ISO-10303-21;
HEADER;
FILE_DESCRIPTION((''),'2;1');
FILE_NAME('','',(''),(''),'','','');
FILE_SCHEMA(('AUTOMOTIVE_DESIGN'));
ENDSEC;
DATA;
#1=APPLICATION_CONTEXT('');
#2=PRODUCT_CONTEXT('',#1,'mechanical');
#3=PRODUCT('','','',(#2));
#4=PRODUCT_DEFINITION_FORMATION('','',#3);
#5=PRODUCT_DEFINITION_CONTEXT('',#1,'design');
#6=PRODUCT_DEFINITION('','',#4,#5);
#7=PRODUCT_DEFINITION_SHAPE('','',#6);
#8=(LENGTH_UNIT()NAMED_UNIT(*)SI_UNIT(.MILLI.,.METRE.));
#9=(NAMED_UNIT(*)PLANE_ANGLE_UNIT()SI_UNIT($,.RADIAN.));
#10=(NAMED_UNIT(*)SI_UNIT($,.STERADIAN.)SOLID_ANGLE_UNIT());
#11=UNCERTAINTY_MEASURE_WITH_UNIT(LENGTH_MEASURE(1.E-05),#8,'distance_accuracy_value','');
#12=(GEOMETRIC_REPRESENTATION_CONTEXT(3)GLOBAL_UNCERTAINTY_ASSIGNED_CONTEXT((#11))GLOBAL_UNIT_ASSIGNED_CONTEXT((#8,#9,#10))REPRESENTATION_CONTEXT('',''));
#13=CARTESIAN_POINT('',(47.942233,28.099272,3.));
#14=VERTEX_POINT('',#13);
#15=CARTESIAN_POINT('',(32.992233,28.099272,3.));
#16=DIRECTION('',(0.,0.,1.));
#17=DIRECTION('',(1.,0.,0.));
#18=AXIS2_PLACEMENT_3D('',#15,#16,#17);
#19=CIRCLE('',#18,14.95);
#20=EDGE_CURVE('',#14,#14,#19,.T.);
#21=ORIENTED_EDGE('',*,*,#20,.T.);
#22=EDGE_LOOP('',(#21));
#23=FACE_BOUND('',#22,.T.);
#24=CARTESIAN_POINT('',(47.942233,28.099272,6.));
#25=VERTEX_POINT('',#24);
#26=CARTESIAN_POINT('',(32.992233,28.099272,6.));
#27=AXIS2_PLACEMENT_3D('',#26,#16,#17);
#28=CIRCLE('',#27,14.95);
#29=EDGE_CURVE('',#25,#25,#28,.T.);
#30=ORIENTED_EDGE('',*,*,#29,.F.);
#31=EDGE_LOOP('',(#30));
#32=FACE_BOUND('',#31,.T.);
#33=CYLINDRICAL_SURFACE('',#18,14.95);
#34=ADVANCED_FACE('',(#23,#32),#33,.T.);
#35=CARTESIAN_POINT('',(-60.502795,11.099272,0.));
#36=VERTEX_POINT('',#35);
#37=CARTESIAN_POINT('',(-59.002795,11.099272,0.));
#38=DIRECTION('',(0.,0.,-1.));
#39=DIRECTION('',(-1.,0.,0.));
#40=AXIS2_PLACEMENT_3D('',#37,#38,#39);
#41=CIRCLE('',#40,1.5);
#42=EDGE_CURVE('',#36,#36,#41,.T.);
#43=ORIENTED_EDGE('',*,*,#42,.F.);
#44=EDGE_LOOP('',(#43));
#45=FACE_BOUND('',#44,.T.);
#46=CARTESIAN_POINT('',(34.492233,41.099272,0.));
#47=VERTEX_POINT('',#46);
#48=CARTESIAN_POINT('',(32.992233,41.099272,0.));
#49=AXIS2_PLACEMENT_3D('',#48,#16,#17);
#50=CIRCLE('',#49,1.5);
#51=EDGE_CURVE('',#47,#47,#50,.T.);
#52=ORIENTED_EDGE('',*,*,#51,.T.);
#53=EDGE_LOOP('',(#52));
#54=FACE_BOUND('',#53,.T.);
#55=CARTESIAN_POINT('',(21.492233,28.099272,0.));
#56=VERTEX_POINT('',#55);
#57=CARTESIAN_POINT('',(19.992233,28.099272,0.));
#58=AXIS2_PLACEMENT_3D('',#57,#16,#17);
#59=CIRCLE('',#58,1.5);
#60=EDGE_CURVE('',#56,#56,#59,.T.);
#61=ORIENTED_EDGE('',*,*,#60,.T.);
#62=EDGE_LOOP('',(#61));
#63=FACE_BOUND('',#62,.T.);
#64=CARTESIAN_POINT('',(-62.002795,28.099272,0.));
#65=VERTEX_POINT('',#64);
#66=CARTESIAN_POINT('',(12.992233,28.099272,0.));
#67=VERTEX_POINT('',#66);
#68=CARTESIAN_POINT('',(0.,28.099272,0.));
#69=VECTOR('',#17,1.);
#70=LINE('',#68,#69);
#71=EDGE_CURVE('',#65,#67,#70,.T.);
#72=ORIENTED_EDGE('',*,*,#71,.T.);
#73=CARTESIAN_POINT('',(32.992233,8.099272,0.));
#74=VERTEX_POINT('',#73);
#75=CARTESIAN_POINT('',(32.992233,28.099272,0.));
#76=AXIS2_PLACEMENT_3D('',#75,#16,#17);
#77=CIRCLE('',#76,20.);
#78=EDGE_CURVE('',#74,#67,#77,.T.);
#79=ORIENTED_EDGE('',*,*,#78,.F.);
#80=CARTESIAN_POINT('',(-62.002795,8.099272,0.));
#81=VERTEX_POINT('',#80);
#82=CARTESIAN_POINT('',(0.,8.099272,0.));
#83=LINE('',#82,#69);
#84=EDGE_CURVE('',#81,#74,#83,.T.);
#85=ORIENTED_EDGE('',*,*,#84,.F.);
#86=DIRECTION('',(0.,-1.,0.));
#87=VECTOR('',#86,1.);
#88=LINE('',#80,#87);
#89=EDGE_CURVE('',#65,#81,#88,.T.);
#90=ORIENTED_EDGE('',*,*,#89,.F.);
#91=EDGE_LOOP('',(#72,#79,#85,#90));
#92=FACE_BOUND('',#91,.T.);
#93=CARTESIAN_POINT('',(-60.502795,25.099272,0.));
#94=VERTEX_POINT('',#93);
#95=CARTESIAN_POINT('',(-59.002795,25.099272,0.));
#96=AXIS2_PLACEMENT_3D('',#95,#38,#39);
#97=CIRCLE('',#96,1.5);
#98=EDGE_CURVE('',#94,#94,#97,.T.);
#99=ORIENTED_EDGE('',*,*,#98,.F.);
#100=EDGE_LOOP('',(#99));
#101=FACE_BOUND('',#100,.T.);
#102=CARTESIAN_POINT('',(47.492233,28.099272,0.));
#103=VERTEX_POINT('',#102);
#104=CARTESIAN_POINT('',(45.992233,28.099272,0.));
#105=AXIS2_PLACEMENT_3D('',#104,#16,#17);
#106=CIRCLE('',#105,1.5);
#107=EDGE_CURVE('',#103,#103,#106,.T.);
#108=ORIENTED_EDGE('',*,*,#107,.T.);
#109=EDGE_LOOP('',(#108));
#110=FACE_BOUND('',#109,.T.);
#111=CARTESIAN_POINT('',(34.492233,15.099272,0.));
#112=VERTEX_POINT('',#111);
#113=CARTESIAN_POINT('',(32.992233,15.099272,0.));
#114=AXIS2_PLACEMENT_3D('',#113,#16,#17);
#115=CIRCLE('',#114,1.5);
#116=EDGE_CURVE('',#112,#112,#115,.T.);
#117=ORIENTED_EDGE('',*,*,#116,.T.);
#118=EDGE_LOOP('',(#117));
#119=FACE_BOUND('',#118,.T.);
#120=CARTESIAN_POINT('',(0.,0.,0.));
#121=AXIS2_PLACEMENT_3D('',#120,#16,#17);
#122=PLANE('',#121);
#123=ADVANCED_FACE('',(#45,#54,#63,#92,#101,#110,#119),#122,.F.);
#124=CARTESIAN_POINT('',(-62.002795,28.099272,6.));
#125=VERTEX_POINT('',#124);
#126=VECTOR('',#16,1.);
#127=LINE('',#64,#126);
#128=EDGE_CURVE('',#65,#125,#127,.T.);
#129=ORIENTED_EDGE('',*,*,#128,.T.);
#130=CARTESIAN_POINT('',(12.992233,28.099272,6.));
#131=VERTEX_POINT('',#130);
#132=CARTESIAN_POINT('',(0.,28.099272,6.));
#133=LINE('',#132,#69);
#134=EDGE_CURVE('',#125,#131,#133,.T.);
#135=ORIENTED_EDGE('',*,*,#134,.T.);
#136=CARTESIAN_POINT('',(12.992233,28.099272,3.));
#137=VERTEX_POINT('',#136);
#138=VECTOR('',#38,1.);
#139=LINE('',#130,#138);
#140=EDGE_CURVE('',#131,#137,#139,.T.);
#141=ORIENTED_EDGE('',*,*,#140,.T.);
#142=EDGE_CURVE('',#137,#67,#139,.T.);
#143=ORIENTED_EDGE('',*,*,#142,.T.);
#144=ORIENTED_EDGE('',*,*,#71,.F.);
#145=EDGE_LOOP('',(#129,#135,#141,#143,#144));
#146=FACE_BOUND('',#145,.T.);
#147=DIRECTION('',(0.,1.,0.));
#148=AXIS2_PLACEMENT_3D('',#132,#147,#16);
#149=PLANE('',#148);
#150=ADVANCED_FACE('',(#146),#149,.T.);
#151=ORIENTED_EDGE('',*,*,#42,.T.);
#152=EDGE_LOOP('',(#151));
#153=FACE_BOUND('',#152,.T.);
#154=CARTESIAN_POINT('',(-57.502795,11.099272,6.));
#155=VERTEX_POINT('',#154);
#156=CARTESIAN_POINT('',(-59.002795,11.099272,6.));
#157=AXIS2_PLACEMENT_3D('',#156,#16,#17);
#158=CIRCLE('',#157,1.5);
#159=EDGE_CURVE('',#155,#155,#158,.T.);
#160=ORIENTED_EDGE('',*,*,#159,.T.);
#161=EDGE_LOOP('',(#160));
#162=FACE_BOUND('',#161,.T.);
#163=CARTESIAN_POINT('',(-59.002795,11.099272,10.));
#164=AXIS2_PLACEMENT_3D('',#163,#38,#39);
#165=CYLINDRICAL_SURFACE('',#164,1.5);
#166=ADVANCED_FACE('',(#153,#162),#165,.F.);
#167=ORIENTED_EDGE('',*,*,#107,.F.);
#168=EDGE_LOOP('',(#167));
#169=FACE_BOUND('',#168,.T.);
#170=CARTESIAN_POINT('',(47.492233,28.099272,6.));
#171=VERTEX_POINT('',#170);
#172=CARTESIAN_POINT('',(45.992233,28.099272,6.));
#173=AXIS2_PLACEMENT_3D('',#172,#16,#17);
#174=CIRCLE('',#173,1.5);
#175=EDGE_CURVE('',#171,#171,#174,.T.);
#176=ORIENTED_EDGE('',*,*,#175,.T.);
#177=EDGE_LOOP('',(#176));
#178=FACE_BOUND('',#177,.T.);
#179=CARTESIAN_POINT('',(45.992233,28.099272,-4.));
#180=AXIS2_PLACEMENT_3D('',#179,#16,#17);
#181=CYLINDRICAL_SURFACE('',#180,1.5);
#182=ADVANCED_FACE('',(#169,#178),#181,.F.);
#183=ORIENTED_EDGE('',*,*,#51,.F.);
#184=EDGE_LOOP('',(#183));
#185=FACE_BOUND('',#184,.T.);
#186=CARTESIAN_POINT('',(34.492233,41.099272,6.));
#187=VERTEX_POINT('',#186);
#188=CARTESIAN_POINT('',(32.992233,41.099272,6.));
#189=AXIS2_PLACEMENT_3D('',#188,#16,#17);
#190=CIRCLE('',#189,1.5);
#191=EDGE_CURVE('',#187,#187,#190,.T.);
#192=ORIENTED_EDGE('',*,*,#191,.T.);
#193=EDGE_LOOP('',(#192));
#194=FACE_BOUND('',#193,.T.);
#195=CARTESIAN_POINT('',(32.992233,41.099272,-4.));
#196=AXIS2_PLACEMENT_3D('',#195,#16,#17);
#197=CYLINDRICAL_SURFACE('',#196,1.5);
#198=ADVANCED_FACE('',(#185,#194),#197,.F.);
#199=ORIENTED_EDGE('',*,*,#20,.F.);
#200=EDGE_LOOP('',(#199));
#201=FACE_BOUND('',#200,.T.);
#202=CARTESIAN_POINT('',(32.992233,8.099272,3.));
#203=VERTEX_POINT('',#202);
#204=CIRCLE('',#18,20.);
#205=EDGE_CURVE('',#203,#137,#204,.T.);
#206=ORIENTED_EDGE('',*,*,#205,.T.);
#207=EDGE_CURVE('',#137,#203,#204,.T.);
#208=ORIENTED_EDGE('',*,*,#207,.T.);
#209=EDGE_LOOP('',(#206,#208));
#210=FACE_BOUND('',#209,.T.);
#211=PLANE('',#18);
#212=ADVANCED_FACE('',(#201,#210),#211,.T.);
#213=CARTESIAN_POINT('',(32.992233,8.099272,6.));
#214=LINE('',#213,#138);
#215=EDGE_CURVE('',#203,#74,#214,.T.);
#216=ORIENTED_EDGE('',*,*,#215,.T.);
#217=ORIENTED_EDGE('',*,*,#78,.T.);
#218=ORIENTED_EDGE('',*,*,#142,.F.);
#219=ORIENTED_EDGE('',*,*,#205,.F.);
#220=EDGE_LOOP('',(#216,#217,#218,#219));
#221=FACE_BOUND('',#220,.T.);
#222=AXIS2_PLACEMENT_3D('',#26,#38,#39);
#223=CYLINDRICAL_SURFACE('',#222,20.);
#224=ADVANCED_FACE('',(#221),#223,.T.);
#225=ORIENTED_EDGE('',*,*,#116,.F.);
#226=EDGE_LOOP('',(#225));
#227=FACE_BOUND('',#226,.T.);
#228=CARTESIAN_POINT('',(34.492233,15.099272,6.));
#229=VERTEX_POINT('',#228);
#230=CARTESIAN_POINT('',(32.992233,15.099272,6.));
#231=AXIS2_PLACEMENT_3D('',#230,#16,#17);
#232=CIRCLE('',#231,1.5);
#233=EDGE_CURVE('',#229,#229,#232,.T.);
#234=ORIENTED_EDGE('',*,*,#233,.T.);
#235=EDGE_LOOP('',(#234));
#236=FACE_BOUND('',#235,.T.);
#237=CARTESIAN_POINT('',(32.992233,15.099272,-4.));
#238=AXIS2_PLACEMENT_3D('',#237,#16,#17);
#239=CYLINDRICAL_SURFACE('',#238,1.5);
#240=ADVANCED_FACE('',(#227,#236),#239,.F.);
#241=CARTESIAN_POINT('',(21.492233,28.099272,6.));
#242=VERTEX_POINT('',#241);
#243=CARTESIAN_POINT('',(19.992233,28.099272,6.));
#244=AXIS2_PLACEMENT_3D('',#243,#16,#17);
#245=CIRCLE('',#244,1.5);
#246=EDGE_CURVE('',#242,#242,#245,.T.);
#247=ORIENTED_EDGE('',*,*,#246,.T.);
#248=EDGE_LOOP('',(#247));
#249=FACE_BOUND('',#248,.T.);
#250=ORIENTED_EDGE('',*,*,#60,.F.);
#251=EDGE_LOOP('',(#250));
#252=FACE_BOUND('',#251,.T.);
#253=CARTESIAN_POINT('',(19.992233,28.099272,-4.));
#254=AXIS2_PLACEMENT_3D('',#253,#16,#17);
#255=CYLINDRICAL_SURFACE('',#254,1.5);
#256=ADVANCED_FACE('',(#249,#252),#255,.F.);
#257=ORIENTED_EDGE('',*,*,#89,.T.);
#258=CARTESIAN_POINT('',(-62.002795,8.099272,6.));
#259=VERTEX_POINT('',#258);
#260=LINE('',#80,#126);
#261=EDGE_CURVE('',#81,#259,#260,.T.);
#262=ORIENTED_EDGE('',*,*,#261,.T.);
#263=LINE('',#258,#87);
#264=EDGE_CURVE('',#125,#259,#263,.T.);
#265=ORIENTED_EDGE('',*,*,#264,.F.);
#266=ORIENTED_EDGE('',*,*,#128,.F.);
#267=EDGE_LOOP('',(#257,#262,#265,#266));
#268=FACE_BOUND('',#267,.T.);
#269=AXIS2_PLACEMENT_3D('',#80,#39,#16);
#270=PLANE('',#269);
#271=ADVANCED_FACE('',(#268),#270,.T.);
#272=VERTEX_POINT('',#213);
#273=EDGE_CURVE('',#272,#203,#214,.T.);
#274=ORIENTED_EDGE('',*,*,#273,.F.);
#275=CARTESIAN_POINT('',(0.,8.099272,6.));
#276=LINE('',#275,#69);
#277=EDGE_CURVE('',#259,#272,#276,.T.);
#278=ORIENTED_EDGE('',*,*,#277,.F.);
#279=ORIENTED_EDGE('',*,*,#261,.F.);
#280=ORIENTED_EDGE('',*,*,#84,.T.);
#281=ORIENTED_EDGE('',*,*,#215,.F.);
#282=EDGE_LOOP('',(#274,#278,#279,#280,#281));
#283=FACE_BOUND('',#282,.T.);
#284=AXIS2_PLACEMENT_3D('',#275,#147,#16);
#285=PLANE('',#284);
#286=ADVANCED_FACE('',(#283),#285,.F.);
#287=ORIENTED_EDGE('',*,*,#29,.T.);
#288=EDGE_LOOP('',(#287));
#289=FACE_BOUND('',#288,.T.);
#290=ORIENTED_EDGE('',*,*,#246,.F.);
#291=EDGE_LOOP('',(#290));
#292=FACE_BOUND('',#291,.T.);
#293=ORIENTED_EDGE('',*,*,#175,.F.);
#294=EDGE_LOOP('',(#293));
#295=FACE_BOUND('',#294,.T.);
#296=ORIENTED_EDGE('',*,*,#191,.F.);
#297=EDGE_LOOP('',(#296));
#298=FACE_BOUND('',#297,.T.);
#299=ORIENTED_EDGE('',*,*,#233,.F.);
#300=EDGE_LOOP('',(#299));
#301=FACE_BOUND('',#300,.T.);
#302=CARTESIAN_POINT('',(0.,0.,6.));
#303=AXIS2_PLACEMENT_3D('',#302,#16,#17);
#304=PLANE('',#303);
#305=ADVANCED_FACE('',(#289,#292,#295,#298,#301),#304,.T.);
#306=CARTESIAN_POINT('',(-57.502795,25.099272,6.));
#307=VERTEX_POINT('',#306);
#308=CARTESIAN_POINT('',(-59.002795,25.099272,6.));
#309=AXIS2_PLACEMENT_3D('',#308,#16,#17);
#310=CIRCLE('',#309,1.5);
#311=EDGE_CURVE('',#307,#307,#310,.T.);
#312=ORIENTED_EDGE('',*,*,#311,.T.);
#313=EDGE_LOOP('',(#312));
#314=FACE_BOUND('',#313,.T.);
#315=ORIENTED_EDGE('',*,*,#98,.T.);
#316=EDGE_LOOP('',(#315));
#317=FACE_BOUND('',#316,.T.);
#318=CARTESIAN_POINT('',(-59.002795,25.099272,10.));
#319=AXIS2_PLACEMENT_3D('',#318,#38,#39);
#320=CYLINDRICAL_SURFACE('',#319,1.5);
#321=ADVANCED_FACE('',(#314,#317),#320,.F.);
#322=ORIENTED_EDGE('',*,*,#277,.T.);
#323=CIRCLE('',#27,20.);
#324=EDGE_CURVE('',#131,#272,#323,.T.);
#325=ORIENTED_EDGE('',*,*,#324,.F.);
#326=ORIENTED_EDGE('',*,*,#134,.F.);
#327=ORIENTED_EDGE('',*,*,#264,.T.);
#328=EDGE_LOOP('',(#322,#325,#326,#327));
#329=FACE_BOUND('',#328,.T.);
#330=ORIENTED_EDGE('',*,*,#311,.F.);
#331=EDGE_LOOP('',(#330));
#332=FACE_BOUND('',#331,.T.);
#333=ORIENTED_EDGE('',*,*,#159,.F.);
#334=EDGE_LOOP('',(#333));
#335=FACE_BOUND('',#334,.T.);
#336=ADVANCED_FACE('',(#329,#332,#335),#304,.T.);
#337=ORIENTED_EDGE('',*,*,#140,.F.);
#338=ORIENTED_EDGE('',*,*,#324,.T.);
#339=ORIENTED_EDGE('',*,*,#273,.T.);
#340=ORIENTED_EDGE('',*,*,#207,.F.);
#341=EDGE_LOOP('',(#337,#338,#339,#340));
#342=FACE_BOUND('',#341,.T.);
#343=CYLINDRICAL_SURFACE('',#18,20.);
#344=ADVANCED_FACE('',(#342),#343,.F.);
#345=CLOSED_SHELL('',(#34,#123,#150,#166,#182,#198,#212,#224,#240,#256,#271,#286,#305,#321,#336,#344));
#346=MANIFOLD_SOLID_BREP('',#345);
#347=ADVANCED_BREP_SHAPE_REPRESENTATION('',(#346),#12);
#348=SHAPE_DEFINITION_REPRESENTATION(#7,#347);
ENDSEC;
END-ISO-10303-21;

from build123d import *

# Parameters (mm, degrees)
BOSS_EXTRU_1_DEPTH      = 6
ESQUISSE4_R             = 20
ESQUISSE4_R_2           = 14.95
ENL_V_MAT_EXTRU_2_DEPTH = 3
ESQUISSE5_W             = 16.42
ESQUISSE5_H             = 20
BOSS_EXTRU_2_DEPTH      = 6
ESQUISSE6_R             = 1.5
ENL_V_MAT_EXTRU_3_DEPTH = 10
ESQUISSE9_R             = 1.5
ENL_V_MAT_EXTRU_4_DEPTH = 10


with BuildPart() as part:
    # Esquisse1 → Boss.-Extru.1 (new body)
    with BuildSketch(Plane.XY):
        with BuildLine():
            ThreePointArc((52.992232765, 28.099272116), (32.992232765, 48.099272116), (12.992232765, 28.099272116))
            Line((12.992232765, 28.099272116), (32.992232765, 28.099272116))
            Line((32.992232765, 28.099272116), (32.992232765, 8.099272116))
            ThreePointArc((32.992232765, 8.099272116), (47.134368389, 13.957136493), (52.992232765, 28.099272116))
        make_face()
        with BuildLine():
            Line((32.992232765, 28.099272116), (12.992232765, 28.099272116))
            ThreePointArc((12.992232765, 28.099272116), (18.850097141, 13.957136493), (32.992232765, 8.099272116))
            Line((32.992232765, 8.099272116), (32.992232765, 28.099272116))
        make_face()
        with BuildLine():
            Line((12.992232765, 28.099272116), (-45.58279523, 28.099272116))
            Line((-45.58279523, 28.099272116), (-45.58279523, 8.099272116))
            Line((-45.58279523, 8.099272116), (32.992232765, 8.099272116))
            ThreePointArc((32.992232765, 8.099272116), (18.850097141, 13.957136493), (12.992232765, 28.099272116))
        make_face()
    extrude(amount=BOSS_EXTRU_1_DEPTH)

    # Esquisse4 → Enlèv. mat.-Extru.2 (cut)
    with BuildSketch(Plane.XY.offset(6)):
        with Locations((32.992232765, 28.099272116)):
            Circle(ESQUISSE4_R)
        with Locations((32.992232765, 28.099272116)):
            Circle(ESQUISSE4_R_2, mode=Mode.SUBTRACT)
    extrude(amount=-ENL_V_MAT_EXTRU_2_DEPTH, mode=Mode.SUBTRACT)

    # Esquisse5 → Boss.-Extru.2 (add)
    with BuildSketch(Plane.XY.offset(6)):
        with Locations((-53.79279523, 18.099272116)):
            Rectangle(ESQUISSE5_W, ESQUISSE5_H)
    extrude(amount=-BOSS_EXTRU_2_DEPTH)

    # Esquisse6 → Enlèv. mat.-Extru.3 (cut)
    with BuildSketch(Plane.XY.offset(6)):
        with Locations((32.992232765, 41.099272116)):
            Circle(ESQUISSE6_R)
        with Locations((45.992232765, 28.099272116)):
            Circle(ESQUISSE6_R)
        with Locations((32.992232765, 15.099272116)):
            Circle(ESQUISSE6_R)
        with Locations((19.992232765, 28.099272116)):
            Circle(ESQUISSE6_R)
    extrude(amount=-ENL_V_MAT_EXTRU_3_DEPTH, mode=Mode.SUBTRACT)

    # Esquisse9 → Enlèv. mat.-Extru.4 (cut)
    with BuildSketch(Plane(origin=(0, 0, 0), x_dir=(-1, 0, 0), z_dir=(0, 0, -1))):
        with Locations((59.00279523, 25.099272116)):
            Circle(ESQUISSE9_R)
        with Locations((59.00279523, 11.099272116)):
            Circle(ESQUISSE9_R)
    extrude(amount=-ENL_V_MAT_EXTRU_4_DEPTH, mode=Mode.SUBTRACT)


solid = part.part
